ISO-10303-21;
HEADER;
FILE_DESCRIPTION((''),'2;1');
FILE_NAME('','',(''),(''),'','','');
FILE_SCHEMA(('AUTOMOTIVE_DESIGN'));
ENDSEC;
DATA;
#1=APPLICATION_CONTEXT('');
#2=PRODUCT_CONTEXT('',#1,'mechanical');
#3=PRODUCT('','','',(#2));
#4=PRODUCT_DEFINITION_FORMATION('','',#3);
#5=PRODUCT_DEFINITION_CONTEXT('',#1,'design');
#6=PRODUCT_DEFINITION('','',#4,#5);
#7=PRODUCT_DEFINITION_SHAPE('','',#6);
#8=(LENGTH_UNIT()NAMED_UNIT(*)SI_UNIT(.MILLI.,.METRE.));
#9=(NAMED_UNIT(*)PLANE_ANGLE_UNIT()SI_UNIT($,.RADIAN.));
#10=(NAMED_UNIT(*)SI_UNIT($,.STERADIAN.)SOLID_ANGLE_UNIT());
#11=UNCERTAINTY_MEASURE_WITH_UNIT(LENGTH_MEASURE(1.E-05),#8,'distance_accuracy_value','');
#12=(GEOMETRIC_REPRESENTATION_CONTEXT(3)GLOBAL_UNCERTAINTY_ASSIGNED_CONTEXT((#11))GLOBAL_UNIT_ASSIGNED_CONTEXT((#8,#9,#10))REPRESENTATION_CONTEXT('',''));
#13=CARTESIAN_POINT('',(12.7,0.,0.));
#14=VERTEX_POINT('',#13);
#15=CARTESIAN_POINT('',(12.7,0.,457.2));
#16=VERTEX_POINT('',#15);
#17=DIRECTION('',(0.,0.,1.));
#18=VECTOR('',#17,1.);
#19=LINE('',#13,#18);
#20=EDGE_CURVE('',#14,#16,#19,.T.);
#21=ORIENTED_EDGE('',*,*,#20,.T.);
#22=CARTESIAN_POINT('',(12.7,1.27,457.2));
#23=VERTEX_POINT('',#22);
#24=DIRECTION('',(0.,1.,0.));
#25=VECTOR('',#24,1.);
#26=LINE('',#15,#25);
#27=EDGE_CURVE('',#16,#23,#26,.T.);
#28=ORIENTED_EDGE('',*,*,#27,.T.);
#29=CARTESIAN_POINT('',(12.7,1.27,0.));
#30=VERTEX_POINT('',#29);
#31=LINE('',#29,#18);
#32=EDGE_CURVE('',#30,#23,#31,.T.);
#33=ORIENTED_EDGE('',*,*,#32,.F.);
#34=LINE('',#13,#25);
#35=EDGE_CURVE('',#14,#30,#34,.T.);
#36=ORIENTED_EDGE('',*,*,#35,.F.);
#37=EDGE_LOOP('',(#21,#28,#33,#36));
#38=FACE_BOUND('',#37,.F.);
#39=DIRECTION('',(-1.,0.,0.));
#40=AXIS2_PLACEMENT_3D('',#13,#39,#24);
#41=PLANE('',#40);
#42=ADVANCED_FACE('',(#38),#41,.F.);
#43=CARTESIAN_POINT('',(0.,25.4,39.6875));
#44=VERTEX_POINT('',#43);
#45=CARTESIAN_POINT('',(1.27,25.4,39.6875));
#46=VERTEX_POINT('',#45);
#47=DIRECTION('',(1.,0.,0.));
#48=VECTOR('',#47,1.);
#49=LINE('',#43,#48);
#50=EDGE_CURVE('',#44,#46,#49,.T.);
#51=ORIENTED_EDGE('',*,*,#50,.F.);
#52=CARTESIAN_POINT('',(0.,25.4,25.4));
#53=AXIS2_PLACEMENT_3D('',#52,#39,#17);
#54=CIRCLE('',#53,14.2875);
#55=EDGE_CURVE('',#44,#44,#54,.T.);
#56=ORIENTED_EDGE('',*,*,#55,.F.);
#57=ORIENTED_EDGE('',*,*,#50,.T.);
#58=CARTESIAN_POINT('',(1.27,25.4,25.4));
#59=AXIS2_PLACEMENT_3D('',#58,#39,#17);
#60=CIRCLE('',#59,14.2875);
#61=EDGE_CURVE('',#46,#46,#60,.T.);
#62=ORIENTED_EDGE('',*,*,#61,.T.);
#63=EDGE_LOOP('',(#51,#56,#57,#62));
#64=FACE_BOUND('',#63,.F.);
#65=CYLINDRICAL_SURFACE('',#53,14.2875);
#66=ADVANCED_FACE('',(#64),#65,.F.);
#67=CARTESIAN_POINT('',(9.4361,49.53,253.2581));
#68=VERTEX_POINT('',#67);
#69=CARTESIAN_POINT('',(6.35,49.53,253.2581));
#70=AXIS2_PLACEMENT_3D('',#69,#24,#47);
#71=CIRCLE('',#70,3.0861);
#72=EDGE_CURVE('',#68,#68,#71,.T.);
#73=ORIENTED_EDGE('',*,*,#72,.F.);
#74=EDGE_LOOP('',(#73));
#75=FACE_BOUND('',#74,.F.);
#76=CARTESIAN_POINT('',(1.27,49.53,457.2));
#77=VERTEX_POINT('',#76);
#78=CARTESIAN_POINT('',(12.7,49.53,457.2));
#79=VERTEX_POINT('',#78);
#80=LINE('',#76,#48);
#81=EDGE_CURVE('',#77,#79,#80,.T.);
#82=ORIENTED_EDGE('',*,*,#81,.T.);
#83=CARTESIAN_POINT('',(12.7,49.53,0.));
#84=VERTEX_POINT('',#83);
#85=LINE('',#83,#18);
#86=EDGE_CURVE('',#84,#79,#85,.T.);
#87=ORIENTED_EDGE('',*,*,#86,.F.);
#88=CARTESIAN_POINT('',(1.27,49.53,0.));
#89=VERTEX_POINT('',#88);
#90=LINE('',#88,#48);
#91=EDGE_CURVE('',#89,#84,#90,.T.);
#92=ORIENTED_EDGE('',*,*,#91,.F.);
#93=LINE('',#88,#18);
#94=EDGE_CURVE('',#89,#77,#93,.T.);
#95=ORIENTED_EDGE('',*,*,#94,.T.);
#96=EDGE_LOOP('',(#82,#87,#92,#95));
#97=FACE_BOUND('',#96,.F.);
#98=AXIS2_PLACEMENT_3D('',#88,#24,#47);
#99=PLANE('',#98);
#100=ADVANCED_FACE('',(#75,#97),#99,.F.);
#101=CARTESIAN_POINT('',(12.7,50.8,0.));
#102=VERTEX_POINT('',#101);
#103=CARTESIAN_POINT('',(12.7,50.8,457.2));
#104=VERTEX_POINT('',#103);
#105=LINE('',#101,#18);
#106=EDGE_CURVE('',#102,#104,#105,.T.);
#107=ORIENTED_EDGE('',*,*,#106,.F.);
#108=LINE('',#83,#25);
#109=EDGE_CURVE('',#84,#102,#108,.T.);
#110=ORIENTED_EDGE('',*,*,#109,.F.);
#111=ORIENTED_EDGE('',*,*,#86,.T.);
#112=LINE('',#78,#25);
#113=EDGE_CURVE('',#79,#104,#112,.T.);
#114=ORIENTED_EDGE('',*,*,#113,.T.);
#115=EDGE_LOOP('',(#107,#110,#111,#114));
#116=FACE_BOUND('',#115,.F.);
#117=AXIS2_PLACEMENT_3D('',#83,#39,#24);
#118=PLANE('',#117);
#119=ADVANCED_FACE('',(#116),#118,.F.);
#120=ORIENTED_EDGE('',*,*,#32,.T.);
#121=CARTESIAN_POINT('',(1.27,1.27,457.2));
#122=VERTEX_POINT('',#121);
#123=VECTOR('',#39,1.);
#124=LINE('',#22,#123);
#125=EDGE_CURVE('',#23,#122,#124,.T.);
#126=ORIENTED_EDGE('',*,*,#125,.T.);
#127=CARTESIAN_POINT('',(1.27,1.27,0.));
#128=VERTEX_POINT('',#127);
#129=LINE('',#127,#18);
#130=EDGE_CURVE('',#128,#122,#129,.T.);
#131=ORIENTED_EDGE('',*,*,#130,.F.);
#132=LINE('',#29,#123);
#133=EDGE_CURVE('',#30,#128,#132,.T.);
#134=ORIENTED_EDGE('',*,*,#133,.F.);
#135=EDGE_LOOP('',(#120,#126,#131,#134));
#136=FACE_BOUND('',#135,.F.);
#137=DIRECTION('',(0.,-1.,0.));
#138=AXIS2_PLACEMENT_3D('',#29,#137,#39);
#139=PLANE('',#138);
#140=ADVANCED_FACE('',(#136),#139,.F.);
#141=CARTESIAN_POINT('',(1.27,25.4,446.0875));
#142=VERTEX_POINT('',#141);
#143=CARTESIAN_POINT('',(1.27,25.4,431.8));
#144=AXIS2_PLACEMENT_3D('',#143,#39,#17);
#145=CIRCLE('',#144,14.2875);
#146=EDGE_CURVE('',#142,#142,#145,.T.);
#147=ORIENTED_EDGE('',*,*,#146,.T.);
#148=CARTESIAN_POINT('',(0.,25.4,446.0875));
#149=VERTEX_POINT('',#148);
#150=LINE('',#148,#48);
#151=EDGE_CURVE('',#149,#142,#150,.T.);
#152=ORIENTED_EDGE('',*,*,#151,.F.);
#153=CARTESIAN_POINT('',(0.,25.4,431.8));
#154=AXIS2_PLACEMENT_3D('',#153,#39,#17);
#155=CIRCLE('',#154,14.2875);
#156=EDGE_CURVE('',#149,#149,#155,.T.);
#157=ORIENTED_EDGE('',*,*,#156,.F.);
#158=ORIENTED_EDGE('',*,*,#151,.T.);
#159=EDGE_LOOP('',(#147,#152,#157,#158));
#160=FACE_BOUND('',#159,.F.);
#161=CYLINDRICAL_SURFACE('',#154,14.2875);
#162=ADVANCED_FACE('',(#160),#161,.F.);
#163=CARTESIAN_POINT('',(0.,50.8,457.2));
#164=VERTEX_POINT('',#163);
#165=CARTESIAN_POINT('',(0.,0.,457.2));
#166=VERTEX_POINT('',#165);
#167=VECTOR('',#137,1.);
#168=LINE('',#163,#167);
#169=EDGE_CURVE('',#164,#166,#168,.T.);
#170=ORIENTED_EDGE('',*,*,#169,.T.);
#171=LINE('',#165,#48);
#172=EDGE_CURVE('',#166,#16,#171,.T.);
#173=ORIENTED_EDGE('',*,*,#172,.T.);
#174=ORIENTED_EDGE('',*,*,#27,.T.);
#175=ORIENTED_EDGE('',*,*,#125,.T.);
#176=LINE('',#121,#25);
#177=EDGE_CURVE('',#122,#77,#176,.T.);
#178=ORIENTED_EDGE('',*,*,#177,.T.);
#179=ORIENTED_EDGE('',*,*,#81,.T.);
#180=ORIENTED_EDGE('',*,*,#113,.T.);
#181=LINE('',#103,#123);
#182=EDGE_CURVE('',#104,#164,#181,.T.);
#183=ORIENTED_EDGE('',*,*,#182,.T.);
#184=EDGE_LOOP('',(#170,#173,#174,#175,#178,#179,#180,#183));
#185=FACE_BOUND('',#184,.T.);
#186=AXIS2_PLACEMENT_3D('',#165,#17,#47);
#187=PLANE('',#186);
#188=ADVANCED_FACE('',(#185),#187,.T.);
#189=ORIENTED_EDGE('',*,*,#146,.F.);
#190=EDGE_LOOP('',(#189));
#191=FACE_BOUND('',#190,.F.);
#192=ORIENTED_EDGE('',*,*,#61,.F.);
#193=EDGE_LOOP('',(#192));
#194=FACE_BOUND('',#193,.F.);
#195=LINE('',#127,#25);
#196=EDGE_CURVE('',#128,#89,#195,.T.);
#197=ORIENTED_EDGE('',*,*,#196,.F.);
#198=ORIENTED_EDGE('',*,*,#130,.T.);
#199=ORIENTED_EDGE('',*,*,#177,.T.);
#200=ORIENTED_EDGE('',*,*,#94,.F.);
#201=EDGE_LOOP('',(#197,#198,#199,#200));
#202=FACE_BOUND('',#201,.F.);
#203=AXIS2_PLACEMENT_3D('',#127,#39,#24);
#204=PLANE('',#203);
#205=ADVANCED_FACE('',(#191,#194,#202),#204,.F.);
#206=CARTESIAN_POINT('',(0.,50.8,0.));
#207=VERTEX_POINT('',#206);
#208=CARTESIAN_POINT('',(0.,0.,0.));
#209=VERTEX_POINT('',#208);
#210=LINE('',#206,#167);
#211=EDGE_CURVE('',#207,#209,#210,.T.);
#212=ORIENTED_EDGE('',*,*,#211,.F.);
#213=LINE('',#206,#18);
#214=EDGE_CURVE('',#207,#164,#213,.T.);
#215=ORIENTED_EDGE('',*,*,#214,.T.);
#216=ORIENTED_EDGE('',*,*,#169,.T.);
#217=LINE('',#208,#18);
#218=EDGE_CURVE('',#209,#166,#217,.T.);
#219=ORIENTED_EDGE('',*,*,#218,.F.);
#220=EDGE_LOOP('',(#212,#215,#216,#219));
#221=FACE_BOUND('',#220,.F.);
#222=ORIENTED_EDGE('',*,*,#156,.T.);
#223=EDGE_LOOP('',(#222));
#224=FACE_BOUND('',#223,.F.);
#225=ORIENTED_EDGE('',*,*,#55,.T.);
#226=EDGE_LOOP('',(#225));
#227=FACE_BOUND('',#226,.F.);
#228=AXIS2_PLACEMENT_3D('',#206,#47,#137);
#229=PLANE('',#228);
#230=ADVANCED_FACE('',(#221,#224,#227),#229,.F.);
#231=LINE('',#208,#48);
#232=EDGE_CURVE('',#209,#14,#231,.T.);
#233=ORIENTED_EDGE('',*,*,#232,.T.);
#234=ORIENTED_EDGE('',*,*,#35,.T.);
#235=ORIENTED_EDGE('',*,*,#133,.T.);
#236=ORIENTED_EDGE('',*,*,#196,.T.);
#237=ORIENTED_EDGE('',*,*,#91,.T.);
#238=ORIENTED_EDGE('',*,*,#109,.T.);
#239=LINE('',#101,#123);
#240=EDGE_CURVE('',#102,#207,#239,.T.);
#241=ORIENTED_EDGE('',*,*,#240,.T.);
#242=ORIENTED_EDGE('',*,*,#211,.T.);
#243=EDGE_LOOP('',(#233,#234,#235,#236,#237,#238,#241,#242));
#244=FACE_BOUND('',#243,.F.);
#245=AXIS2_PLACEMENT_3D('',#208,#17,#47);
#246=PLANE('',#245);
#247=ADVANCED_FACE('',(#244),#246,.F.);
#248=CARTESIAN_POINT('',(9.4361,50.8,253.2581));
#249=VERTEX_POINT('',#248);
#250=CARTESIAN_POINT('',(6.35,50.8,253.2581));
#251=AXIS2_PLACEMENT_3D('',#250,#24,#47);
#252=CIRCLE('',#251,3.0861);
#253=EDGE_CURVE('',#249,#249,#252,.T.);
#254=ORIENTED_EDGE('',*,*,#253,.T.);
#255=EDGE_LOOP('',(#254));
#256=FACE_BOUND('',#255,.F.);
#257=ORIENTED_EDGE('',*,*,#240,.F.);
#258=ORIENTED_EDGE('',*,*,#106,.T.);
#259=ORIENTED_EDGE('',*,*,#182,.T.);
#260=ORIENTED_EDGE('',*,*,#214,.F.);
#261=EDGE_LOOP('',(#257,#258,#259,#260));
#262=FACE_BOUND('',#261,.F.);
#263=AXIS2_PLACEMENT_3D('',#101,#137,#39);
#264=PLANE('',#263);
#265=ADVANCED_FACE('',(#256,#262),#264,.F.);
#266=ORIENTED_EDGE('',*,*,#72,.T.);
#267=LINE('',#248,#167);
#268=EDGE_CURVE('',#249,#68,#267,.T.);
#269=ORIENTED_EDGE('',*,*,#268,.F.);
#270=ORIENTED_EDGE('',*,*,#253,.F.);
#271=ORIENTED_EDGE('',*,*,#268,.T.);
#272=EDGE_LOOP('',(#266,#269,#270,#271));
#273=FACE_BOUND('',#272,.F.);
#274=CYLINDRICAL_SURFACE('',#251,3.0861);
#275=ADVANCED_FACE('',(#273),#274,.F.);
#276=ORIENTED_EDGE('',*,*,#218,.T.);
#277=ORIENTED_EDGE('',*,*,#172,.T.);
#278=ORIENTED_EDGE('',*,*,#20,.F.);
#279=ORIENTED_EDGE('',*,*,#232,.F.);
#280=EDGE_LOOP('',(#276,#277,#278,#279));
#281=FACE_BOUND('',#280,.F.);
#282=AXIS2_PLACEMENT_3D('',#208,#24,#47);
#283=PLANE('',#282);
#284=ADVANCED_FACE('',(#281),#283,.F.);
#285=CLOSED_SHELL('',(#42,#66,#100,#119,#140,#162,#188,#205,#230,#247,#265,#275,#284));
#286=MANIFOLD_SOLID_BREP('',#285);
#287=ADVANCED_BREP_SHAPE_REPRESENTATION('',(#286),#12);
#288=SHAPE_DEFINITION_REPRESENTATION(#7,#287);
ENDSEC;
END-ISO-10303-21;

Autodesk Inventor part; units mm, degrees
ref_plane "YZ Plane" through (0, 0, 0) normal (1, 0, 0) x (0, 1, 0)
ref_plane "XZ Plane" through (0, 0, 0) normal (0, 1, 0) x (-1, 0, 0)
ref_plane "XY Plane" through (0, 0, 0) normal (0, 0, 1) x (1, 0, 0)
sketch "Sketch1" plane through (0, 0, 0) normal (0, 0, 1) x (1, 0, 0)
  line L0 (0, 0) -> (12.7, 0)
  line L1 (12.7, 50.8) -> (0, 50.8)
  line L2 (0, 50.8) -> (0, 0)
  line L3 (12.7, 1.27) -> (1.27, 1.27)
  line L4 (1.27, 1.27) -> (1.27, 49.53)
  line L5 (1.27, 49.53) -> (12.7, 49.53)
  line L6 (12.7, 0) -> (12.7, 1.27)
  line L7 (12.7, 49.53) -> (12.7, 50.8)
  dimension "d0" = 12.7
  dimension "d1" = 50.8
  dimension "d2" = 11.43
  dimension "d3" = 48.26
extrude "Extrusion1" add sketch "Sketch1" along normal blind 457.2
sketch "Sketch2" plane through (0, 0, 0) normal (-1, 0, 0) x (0, 0, 1)
  circle A0 centre (25.4, 25.4) radius 14.2875
  circle A1 centre (431.8, 25.4) radius 14.2875
  point P0 (0, 0)
  dimension "d6" = 28.575
  dimension "d7" = 28.575
extrude "Extrusion2" cut sketch "Sketch2" against normal through all
sketch "Sketch3" plane through (0, 50.8, 0) normal (0, 1, 0) x (1, 0, 0)
  line L0 (12.7237, -456.4581) -> (12.7, -253.2581)
  line L1 (12.7, 0) -> (12.7, -457.2) projected
  line L2 (0, 0) -> (0, -457.2) projected
  circle A0 centre (6.35, -253.2581) radius 3.0861
  dimension "d12" = 6.1722
extrude "Extrusion3" cut sketch "Sketch3" against normal blind 12.7
equation "\"d4\" = u1"
equation "\"u1\" = 457.2"
properties part number "VerseFrameCChannel 18in"
